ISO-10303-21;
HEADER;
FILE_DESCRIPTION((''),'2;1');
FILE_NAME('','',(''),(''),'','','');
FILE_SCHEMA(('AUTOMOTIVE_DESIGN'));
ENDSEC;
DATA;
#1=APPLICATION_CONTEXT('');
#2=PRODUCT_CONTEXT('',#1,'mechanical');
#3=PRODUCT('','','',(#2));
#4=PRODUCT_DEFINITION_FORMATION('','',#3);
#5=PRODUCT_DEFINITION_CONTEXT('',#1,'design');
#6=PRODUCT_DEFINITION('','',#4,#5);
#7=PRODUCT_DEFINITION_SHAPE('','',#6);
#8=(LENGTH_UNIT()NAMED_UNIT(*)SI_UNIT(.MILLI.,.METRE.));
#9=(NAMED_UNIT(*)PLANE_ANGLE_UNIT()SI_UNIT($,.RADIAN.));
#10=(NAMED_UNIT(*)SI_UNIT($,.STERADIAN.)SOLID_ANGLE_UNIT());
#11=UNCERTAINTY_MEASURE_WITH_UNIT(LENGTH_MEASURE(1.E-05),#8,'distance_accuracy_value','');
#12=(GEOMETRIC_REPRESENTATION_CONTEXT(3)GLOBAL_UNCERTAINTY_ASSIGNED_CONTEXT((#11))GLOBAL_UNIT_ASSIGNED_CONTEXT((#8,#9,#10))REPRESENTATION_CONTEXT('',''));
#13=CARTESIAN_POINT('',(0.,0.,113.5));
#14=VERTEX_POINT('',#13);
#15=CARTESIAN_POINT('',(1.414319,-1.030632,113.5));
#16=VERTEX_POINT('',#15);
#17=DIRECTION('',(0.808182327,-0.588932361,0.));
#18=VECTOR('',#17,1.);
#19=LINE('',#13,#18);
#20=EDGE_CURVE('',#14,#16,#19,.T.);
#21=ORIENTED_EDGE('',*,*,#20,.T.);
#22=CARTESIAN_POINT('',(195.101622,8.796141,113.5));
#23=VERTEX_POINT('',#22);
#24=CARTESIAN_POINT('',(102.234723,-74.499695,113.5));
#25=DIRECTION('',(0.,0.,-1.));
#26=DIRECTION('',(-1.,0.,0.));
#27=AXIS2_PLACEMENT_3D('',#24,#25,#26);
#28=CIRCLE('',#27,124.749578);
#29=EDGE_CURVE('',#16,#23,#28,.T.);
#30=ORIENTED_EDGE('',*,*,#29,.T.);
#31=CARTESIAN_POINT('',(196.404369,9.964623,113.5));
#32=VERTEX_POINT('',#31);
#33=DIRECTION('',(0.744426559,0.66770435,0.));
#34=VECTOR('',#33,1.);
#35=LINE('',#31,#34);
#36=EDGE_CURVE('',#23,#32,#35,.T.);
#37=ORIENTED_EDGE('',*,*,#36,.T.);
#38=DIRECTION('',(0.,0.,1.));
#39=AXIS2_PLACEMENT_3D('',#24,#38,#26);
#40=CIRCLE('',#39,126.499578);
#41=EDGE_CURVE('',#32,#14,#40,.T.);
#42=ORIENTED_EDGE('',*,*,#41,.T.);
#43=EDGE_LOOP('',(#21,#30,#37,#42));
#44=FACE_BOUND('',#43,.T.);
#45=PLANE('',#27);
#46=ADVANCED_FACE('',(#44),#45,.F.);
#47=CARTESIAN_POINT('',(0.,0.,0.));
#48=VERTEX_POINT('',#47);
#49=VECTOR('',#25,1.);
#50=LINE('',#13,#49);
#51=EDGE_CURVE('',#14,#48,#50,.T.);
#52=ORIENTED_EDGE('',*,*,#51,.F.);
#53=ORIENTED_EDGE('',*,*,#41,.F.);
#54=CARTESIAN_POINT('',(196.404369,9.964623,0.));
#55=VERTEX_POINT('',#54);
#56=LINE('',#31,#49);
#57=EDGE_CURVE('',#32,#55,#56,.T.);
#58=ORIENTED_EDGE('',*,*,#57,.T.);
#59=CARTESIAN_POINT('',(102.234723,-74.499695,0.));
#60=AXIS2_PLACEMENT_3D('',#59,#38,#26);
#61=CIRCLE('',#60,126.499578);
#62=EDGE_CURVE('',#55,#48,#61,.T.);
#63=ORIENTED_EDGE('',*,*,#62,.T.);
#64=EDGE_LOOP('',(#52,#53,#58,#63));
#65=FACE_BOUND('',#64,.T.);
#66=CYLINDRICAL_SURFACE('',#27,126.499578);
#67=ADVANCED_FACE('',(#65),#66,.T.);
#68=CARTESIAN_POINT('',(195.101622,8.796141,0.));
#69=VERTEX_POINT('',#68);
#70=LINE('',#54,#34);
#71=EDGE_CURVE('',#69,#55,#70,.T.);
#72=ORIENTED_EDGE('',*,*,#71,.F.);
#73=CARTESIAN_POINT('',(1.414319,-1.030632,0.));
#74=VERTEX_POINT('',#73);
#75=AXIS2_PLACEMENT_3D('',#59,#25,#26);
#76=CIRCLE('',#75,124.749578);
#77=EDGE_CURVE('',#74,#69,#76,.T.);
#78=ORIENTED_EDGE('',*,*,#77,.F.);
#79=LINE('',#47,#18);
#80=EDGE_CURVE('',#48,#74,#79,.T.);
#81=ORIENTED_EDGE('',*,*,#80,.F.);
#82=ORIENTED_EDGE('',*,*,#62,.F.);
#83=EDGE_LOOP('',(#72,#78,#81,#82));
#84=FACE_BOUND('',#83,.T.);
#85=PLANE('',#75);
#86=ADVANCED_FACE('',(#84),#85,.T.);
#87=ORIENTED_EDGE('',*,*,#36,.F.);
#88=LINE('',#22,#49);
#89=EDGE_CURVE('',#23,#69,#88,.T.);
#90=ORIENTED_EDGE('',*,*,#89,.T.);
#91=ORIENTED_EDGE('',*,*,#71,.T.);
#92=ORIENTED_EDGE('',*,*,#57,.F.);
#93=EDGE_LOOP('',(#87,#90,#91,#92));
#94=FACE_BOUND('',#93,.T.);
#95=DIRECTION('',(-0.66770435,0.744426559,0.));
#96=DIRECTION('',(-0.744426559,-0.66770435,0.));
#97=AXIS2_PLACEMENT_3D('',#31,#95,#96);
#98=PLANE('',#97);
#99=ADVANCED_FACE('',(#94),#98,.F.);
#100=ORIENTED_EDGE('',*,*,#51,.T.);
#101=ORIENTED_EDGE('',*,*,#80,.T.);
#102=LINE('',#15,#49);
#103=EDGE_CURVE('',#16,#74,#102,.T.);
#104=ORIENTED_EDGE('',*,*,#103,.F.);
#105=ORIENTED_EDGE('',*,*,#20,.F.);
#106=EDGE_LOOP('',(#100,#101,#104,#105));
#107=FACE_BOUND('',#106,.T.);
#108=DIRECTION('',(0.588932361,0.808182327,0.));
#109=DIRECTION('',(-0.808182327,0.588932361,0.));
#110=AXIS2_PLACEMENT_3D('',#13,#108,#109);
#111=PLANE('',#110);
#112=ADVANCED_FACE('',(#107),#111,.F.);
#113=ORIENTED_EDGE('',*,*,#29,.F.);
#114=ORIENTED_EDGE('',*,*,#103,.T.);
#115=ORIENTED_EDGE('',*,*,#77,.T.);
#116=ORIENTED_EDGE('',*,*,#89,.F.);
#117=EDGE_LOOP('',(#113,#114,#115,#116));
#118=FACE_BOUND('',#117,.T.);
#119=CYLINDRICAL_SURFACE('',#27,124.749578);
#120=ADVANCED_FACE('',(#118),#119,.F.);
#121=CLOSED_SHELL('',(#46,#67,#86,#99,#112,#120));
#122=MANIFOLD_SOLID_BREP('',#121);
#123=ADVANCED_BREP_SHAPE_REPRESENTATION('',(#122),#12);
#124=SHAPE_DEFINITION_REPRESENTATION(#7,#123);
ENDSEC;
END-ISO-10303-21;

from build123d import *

# Parameters (mm, degrees)
BOSS_EXTRUDE1_DEPTH = 113.5


with BuildPart() as part:
    # Sketch1 → Boss-Extrude1 (new body)
    with BuildSketch(Plane.XY):
        with BuildLine():
            Line((0, 0), (1.414319072, -1.030631632))
            ThreePointArc((1.414319072, -1.030631632), (95.913653408, 50.08963536), (195.101622359, 8.79614068))
            Line((195.101622359, 8.79614068), (196.404368836, 9.964623292))
            ThreePointArc((196.404368836, 9.964623292), (95.824980785, 51.837387392), (0, 0))
        make_face()
    extrude(amount=BOSS_EXTRUDE1_DEPTH)


solid = part.part
